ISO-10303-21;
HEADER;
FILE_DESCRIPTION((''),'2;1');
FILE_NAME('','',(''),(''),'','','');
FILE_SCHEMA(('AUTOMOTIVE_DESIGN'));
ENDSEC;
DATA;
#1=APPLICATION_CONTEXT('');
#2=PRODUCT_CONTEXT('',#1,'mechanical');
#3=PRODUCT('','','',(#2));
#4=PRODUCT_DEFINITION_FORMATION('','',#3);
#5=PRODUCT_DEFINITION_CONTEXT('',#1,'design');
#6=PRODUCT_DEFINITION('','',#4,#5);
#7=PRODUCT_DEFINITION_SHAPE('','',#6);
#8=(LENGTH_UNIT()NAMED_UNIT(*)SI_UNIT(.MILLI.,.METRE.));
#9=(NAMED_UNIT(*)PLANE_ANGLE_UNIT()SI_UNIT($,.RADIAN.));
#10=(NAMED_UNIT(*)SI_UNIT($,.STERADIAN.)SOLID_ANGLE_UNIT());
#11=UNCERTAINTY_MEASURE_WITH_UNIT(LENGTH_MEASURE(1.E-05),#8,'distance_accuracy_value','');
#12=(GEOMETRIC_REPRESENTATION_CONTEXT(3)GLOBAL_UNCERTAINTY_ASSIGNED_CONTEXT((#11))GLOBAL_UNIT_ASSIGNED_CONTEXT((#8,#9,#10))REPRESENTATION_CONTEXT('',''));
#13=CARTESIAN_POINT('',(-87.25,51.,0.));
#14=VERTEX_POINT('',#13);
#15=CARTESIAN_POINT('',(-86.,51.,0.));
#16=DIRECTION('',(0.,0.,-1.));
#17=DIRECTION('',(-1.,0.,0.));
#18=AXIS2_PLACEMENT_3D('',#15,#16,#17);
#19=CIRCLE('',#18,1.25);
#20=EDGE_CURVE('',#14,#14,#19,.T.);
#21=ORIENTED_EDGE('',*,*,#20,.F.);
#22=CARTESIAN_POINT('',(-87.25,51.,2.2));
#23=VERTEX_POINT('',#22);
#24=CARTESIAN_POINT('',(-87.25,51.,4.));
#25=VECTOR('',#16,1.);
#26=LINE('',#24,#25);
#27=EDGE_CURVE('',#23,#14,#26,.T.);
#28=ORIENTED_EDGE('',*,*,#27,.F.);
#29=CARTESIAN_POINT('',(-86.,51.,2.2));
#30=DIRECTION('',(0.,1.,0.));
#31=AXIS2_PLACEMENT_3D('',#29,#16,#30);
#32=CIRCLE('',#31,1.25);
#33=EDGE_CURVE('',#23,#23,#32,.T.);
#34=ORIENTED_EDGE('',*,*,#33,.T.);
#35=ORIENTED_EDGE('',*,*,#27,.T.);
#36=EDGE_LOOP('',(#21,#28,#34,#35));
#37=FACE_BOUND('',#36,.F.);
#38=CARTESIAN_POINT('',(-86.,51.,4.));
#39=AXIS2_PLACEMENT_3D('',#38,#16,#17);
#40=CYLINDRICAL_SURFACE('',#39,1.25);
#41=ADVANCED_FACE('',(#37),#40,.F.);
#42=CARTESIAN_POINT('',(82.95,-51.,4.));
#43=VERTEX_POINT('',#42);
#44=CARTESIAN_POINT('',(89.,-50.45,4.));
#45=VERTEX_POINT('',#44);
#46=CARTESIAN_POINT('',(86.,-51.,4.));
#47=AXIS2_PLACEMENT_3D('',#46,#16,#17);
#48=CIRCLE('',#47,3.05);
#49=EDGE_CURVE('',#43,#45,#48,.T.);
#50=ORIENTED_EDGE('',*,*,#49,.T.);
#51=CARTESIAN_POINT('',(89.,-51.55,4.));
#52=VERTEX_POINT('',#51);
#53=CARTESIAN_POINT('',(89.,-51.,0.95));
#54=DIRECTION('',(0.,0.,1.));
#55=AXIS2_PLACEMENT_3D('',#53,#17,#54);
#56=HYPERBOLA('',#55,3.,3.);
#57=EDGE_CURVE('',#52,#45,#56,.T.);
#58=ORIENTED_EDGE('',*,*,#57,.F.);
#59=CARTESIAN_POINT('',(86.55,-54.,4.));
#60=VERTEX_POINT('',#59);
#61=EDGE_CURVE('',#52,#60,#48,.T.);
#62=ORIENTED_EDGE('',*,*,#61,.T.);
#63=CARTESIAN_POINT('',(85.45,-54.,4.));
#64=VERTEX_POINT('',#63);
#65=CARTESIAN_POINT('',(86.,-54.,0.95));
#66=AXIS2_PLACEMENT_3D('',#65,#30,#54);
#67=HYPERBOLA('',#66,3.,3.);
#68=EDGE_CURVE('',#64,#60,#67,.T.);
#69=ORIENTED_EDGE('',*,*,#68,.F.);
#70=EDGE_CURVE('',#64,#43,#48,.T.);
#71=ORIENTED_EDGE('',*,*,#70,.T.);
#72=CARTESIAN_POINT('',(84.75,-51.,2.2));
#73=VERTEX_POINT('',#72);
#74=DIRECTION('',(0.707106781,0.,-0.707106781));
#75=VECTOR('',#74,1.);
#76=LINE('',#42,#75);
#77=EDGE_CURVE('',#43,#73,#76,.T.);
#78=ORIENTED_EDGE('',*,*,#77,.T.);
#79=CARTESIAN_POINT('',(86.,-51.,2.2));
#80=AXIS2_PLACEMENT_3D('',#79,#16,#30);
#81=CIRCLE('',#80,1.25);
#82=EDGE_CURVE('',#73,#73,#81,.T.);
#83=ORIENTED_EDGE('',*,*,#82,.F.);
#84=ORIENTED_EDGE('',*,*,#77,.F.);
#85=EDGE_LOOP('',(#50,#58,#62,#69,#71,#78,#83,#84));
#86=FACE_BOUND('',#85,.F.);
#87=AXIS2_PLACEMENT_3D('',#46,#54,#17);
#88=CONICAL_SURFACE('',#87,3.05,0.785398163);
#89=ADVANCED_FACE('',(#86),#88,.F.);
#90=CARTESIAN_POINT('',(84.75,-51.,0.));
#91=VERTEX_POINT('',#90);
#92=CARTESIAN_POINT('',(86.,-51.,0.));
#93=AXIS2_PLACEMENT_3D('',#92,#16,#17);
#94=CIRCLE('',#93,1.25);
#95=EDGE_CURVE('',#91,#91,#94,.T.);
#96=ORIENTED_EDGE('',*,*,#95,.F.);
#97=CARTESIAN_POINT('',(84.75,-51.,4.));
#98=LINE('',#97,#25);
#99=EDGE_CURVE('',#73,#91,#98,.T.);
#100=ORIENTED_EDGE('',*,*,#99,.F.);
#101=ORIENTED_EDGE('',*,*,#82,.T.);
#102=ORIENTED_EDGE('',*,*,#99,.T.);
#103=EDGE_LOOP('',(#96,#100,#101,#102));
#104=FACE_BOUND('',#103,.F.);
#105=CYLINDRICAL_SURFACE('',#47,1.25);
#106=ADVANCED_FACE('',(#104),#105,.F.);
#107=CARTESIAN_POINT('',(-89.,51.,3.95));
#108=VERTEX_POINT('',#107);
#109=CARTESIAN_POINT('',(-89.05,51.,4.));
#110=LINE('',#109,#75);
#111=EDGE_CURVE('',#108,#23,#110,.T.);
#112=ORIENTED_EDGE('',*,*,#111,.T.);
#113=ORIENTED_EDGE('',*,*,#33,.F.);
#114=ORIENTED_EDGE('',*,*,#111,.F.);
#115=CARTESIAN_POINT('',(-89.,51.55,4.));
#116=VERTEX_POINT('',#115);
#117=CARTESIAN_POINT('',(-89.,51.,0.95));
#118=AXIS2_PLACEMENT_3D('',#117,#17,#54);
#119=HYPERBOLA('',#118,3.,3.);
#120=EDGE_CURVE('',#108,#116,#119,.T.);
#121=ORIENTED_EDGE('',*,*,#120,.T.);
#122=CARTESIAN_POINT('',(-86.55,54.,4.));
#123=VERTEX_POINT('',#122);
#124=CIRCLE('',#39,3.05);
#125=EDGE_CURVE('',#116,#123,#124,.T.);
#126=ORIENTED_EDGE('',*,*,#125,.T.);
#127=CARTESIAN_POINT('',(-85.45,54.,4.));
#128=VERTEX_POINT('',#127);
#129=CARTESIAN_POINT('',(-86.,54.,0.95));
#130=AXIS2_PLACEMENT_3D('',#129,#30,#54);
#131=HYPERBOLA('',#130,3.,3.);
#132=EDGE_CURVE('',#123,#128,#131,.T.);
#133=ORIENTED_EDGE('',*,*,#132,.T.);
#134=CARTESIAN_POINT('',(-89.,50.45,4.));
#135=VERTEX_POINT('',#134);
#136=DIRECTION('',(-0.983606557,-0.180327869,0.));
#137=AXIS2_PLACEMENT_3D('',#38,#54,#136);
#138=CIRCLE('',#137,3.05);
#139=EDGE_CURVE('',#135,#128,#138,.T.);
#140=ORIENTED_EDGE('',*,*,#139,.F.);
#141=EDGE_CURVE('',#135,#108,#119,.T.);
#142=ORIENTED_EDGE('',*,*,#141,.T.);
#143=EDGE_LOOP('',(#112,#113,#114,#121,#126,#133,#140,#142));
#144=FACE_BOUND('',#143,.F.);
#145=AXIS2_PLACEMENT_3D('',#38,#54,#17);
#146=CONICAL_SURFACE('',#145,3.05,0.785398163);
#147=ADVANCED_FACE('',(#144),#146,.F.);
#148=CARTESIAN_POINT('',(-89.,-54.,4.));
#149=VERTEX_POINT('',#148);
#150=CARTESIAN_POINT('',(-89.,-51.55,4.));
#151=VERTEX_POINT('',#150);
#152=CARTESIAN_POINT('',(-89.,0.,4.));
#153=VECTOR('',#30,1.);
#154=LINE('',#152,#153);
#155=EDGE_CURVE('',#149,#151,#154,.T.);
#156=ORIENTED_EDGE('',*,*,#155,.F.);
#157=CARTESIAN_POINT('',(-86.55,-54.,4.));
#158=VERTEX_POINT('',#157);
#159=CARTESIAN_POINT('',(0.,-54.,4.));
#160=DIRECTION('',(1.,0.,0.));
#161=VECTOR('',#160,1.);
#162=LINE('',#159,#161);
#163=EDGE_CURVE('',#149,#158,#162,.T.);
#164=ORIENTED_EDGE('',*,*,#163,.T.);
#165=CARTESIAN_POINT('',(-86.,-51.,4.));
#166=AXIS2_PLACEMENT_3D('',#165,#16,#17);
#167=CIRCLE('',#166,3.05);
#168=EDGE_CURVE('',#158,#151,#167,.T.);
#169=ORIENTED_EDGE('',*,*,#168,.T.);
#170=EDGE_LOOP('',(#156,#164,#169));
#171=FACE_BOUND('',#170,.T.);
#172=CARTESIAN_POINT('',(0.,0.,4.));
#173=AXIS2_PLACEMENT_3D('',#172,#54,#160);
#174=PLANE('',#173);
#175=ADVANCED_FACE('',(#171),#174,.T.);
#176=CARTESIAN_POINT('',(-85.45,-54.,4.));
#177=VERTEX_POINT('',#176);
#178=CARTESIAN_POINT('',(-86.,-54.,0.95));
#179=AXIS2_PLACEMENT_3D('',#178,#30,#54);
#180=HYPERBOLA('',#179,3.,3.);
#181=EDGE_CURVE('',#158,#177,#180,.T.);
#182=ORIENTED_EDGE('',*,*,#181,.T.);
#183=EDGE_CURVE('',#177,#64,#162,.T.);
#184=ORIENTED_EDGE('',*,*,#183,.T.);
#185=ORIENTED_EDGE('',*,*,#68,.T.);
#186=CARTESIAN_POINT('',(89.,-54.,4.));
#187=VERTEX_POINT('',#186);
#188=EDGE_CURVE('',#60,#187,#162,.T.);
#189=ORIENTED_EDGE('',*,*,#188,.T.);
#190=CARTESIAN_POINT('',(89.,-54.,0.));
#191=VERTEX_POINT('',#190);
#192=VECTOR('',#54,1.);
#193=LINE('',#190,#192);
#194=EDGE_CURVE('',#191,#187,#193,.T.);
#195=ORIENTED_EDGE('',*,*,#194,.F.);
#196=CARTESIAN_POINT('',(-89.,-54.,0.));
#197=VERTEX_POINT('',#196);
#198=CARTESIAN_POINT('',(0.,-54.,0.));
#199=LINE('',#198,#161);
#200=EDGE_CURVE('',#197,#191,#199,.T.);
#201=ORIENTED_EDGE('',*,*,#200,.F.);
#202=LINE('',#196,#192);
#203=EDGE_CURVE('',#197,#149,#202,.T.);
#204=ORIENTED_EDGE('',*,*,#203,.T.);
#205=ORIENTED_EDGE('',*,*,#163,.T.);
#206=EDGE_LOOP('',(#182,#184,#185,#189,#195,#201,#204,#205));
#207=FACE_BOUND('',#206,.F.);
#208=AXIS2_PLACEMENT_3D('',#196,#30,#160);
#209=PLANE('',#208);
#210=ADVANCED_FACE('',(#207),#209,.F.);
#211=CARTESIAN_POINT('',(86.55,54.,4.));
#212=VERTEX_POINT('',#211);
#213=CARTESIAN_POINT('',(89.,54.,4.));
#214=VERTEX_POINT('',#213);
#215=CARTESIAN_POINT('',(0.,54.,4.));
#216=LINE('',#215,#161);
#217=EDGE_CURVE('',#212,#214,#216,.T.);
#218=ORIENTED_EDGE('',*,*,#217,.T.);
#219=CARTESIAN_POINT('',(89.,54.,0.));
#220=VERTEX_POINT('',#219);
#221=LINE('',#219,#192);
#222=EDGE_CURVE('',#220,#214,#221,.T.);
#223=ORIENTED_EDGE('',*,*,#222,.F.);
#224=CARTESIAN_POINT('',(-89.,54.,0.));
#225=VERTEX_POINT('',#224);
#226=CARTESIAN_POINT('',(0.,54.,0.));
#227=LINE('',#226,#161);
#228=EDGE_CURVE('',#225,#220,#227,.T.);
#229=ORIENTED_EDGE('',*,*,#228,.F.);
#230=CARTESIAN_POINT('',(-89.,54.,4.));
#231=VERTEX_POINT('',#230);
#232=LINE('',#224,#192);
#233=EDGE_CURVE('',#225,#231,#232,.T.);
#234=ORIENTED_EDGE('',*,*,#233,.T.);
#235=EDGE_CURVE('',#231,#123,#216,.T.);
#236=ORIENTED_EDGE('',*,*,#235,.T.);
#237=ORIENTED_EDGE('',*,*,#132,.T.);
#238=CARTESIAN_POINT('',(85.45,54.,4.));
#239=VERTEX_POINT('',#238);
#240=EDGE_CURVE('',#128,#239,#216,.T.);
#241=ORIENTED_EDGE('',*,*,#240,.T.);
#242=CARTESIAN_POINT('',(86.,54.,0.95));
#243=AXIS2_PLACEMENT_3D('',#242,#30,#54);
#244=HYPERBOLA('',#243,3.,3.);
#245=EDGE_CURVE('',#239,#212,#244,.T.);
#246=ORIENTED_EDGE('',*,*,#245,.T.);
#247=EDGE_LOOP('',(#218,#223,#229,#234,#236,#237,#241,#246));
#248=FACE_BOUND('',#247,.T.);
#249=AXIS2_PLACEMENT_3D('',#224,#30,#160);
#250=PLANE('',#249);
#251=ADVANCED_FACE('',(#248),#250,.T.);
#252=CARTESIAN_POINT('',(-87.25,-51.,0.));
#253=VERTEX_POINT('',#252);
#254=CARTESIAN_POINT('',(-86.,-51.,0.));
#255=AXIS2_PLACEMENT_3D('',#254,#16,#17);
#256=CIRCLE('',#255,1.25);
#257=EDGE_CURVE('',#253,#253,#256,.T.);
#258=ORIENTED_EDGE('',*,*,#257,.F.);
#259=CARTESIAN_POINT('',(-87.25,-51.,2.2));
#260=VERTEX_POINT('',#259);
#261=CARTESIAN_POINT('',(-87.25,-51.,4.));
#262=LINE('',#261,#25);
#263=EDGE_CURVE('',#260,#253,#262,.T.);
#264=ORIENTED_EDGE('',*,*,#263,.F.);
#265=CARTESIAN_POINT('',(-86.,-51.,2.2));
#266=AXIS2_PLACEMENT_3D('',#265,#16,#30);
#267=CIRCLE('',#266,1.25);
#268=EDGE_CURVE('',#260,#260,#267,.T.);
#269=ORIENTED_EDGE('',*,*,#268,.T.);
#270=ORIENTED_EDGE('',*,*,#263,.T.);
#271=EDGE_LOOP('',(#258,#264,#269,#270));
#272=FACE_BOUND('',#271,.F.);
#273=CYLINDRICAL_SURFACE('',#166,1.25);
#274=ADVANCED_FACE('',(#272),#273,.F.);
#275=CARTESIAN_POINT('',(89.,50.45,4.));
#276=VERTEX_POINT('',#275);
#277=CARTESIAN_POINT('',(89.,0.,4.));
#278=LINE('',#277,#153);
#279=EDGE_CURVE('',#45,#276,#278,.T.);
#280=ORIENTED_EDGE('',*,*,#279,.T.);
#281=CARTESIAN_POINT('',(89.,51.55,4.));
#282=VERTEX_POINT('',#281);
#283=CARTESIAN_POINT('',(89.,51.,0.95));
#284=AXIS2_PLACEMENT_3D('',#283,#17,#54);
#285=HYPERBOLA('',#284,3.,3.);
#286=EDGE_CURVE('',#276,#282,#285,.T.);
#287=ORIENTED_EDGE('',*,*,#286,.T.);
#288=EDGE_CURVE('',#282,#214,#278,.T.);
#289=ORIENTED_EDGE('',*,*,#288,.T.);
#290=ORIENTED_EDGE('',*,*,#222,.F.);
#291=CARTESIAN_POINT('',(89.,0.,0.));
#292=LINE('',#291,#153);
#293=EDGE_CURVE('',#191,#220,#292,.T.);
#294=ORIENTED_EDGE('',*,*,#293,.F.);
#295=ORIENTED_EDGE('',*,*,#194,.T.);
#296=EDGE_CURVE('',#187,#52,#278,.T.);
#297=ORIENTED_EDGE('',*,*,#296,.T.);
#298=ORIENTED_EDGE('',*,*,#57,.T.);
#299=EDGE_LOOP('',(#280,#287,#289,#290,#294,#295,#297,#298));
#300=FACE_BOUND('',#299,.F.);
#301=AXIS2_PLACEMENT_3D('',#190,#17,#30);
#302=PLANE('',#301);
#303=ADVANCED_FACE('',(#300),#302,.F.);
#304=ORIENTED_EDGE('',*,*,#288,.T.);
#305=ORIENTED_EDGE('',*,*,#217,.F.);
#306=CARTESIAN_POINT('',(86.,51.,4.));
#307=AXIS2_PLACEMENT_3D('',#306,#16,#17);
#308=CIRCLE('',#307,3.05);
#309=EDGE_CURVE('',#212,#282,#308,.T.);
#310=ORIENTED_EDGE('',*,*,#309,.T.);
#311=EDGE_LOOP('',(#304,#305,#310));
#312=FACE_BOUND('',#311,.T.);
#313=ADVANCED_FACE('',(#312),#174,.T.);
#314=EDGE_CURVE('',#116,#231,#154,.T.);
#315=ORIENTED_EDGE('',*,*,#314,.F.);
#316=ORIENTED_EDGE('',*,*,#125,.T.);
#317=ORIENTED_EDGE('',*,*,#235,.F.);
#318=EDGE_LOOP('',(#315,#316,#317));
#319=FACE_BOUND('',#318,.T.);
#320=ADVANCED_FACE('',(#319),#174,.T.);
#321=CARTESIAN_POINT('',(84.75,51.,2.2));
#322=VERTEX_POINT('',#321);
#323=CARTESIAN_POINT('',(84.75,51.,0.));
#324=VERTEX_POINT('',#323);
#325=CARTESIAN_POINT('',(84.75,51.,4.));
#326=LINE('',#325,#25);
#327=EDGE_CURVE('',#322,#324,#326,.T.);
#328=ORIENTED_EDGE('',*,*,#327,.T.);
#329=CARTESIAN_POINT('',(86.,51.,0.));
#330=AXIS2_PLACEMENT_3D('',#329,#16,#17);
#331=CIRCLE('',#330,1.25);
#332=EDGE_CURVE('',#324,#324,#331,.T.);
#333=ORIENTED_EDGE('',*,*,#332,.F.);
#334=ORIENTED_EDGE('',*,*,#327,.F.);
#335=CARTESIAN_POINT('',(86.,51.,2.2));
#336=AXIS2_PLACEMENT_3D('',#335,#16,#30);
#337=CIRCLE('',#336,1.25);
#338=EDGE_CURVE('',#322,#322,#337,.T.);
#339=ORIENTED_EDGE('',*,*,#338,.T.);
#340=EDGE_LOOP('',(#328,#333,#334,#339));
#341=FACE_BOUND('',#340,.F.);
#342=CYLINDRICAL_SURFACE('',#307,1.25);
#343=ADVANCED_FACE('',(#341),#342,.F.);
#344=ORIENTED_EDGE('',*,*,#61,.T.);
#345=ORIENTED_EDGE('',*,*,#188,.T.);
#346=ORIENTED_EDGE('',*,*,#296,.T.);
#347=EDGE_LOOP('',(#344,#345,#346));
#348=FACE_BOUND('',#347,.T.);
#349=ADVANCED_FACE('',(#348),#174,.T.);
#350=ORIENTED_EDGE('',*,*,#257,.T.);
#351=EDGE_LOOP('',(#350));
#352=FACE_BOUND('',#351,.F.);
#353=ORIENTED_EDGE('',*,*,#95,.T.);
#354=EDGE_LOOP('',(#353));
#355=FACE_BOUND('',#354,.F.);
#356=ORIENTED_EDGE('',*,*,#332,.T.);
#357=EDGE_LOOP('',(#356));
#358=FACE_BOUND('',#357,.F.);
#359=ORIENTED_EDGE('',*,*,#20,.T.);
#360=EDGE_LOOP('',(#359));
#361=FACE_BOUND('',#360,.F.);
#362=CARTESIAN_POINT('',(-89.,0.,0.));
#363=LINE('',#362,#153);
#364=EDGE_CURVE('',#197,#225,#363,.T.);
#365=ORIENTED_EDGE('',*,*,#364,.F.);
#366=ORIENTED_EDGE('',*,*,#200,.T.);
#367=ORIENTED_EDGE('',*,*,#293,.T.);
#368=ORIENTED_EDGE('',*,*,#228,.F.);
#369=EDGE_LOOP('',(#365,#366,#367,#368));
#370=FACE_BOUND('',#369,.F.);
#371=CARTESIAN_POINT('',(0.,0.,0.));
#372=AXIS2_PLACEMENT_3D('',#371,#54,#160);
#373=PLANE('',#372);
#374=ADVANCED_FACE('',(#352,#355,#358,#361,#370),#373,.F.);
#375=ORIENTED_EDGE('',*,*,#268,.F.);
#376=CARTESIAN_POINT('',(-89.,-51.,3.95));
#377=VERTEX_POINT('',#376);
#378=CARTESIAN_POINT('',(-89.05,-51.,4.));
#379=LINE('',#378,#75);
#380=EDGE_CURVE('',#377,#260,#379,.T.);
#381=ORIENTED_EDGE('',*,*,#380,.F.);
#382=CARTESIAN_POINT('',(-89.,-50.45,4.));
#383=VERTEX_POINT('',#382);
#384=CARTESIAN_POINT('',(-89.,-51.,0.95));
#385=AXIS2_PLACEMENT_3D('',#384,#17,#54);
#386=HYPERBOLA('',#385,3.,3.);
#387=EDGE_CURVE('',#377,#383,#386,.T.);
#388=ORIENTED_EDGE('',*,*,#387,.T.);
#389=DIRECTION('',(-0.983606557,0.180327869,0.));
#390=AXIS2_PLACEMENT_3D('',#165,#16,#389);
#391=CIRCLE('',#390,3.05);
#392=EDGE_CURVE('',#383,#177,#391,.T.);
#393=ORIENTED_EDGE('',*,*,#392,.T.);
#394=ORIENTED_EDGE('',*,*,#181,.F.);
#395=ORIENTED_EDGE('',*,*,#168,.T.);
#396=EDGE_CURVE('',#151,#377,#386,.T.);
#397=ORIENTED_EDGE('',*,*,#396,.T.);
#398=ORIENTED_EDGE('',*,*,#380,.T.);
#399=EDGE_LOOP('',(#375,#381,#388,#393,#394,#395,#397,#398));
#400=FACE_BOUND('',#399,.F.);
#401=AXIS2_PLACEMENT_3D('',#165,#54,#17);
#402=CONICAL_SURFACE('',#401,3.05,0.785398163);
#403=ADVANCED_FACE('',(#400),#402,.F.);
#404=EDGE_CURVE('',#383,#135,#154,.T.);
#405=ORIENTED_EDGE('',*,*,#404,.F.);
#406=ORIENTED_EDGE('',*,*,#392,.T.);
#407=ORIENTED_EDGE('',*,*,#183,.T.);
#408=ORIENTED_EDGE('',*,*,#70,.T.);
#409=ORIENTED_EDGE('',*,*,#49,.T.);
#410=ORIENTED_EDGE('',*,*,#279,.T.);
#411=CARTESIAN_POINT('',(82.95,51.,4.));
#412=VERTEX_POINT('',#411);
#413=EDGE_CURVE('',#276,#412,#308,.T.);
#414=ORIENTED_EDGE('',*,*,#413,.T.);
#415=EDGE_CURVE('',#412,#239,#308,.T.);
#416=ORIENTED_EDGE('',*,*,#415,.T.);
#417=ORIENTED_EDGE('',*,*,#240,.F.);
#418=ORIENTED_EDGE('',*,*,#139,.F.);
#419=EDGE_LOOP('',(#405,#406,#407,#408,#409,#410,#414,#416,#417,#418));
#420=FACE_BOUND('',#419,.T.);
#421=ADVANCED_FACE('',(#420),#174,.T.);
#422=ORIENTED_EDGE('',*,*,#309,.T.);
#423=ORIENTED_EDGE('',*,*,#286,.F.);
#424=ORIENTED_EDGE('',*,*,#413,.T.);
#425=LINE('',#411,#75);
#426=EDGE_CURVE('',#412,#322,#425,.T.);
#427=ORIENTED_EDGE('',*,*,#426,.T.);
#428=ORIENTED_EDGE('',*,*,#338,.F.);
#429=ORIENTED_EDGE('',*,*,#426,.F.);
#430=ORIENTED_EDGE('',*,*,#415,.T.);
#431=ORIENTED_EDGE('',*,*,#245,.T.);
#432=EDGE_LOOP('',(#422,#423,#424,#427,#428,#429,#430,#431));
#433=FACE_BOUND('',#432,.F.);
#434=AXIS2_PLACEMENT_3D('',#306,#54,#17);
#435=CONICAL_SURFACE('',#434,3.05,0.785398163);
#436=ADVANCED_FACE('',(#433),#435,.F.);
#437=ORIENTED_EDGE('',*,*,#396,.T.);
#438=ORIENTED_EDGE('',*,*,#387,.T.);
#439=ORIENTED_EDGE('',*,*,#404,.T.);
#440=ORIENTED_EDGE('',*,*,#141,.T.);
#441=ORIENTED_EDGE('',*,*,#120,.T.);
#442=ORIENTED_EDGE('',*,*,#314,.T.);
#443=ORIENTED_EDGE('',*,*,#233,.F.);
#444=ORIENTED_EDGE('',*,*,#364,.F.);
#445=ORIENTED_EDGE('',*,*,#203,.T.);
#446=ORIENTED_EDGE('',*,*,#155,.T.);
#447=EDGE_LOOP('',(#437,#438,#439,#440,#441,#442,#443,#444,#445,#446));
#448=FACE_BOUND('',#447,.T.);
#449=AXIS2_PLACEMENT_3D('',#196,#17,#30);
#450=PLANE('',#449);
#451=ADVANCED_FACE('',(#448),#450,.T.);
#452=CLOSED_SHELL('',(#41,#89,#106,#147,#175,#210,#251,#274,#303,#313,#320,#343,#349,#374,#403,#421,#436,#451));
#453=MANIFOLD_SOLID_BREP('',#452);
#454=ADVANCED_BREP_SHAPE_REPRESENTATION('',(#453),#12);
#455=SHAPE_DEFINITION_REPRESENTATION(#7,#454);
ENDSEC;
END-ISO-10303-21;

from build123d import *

# Parameters (mm, degrees)
SKETCH_W         = 178
SKETCH_H         = 108
PAD_DEPTH        = 4
HOLE_D           = 2.5
HOLE_DEPTH       = 25
HOLE_CSINK_D     = 6.1
HOLE_CSINK_ANGLE = 90


with BuildPart() as part:
    # Sketch → Pad (new body)
    with BuildSketch(Plane.XY):
        Rectangle(SKETCH_W, SKETCH_H)
    extrude(amount=PAD_DEPTH)

    # Hole
    with Locations(Plane.XY.offset(4)):
        with Locations((-86, 51), (86, 51), (86, -51), (-86, -51)):
            CounterSinkHole(HOLE_D / 2, HOLE_CSINK_D / 2, depth=HOLE_DEPTH, counter_sink_angle=HOLE_CSINK_ANGLE)


solid = part.part
